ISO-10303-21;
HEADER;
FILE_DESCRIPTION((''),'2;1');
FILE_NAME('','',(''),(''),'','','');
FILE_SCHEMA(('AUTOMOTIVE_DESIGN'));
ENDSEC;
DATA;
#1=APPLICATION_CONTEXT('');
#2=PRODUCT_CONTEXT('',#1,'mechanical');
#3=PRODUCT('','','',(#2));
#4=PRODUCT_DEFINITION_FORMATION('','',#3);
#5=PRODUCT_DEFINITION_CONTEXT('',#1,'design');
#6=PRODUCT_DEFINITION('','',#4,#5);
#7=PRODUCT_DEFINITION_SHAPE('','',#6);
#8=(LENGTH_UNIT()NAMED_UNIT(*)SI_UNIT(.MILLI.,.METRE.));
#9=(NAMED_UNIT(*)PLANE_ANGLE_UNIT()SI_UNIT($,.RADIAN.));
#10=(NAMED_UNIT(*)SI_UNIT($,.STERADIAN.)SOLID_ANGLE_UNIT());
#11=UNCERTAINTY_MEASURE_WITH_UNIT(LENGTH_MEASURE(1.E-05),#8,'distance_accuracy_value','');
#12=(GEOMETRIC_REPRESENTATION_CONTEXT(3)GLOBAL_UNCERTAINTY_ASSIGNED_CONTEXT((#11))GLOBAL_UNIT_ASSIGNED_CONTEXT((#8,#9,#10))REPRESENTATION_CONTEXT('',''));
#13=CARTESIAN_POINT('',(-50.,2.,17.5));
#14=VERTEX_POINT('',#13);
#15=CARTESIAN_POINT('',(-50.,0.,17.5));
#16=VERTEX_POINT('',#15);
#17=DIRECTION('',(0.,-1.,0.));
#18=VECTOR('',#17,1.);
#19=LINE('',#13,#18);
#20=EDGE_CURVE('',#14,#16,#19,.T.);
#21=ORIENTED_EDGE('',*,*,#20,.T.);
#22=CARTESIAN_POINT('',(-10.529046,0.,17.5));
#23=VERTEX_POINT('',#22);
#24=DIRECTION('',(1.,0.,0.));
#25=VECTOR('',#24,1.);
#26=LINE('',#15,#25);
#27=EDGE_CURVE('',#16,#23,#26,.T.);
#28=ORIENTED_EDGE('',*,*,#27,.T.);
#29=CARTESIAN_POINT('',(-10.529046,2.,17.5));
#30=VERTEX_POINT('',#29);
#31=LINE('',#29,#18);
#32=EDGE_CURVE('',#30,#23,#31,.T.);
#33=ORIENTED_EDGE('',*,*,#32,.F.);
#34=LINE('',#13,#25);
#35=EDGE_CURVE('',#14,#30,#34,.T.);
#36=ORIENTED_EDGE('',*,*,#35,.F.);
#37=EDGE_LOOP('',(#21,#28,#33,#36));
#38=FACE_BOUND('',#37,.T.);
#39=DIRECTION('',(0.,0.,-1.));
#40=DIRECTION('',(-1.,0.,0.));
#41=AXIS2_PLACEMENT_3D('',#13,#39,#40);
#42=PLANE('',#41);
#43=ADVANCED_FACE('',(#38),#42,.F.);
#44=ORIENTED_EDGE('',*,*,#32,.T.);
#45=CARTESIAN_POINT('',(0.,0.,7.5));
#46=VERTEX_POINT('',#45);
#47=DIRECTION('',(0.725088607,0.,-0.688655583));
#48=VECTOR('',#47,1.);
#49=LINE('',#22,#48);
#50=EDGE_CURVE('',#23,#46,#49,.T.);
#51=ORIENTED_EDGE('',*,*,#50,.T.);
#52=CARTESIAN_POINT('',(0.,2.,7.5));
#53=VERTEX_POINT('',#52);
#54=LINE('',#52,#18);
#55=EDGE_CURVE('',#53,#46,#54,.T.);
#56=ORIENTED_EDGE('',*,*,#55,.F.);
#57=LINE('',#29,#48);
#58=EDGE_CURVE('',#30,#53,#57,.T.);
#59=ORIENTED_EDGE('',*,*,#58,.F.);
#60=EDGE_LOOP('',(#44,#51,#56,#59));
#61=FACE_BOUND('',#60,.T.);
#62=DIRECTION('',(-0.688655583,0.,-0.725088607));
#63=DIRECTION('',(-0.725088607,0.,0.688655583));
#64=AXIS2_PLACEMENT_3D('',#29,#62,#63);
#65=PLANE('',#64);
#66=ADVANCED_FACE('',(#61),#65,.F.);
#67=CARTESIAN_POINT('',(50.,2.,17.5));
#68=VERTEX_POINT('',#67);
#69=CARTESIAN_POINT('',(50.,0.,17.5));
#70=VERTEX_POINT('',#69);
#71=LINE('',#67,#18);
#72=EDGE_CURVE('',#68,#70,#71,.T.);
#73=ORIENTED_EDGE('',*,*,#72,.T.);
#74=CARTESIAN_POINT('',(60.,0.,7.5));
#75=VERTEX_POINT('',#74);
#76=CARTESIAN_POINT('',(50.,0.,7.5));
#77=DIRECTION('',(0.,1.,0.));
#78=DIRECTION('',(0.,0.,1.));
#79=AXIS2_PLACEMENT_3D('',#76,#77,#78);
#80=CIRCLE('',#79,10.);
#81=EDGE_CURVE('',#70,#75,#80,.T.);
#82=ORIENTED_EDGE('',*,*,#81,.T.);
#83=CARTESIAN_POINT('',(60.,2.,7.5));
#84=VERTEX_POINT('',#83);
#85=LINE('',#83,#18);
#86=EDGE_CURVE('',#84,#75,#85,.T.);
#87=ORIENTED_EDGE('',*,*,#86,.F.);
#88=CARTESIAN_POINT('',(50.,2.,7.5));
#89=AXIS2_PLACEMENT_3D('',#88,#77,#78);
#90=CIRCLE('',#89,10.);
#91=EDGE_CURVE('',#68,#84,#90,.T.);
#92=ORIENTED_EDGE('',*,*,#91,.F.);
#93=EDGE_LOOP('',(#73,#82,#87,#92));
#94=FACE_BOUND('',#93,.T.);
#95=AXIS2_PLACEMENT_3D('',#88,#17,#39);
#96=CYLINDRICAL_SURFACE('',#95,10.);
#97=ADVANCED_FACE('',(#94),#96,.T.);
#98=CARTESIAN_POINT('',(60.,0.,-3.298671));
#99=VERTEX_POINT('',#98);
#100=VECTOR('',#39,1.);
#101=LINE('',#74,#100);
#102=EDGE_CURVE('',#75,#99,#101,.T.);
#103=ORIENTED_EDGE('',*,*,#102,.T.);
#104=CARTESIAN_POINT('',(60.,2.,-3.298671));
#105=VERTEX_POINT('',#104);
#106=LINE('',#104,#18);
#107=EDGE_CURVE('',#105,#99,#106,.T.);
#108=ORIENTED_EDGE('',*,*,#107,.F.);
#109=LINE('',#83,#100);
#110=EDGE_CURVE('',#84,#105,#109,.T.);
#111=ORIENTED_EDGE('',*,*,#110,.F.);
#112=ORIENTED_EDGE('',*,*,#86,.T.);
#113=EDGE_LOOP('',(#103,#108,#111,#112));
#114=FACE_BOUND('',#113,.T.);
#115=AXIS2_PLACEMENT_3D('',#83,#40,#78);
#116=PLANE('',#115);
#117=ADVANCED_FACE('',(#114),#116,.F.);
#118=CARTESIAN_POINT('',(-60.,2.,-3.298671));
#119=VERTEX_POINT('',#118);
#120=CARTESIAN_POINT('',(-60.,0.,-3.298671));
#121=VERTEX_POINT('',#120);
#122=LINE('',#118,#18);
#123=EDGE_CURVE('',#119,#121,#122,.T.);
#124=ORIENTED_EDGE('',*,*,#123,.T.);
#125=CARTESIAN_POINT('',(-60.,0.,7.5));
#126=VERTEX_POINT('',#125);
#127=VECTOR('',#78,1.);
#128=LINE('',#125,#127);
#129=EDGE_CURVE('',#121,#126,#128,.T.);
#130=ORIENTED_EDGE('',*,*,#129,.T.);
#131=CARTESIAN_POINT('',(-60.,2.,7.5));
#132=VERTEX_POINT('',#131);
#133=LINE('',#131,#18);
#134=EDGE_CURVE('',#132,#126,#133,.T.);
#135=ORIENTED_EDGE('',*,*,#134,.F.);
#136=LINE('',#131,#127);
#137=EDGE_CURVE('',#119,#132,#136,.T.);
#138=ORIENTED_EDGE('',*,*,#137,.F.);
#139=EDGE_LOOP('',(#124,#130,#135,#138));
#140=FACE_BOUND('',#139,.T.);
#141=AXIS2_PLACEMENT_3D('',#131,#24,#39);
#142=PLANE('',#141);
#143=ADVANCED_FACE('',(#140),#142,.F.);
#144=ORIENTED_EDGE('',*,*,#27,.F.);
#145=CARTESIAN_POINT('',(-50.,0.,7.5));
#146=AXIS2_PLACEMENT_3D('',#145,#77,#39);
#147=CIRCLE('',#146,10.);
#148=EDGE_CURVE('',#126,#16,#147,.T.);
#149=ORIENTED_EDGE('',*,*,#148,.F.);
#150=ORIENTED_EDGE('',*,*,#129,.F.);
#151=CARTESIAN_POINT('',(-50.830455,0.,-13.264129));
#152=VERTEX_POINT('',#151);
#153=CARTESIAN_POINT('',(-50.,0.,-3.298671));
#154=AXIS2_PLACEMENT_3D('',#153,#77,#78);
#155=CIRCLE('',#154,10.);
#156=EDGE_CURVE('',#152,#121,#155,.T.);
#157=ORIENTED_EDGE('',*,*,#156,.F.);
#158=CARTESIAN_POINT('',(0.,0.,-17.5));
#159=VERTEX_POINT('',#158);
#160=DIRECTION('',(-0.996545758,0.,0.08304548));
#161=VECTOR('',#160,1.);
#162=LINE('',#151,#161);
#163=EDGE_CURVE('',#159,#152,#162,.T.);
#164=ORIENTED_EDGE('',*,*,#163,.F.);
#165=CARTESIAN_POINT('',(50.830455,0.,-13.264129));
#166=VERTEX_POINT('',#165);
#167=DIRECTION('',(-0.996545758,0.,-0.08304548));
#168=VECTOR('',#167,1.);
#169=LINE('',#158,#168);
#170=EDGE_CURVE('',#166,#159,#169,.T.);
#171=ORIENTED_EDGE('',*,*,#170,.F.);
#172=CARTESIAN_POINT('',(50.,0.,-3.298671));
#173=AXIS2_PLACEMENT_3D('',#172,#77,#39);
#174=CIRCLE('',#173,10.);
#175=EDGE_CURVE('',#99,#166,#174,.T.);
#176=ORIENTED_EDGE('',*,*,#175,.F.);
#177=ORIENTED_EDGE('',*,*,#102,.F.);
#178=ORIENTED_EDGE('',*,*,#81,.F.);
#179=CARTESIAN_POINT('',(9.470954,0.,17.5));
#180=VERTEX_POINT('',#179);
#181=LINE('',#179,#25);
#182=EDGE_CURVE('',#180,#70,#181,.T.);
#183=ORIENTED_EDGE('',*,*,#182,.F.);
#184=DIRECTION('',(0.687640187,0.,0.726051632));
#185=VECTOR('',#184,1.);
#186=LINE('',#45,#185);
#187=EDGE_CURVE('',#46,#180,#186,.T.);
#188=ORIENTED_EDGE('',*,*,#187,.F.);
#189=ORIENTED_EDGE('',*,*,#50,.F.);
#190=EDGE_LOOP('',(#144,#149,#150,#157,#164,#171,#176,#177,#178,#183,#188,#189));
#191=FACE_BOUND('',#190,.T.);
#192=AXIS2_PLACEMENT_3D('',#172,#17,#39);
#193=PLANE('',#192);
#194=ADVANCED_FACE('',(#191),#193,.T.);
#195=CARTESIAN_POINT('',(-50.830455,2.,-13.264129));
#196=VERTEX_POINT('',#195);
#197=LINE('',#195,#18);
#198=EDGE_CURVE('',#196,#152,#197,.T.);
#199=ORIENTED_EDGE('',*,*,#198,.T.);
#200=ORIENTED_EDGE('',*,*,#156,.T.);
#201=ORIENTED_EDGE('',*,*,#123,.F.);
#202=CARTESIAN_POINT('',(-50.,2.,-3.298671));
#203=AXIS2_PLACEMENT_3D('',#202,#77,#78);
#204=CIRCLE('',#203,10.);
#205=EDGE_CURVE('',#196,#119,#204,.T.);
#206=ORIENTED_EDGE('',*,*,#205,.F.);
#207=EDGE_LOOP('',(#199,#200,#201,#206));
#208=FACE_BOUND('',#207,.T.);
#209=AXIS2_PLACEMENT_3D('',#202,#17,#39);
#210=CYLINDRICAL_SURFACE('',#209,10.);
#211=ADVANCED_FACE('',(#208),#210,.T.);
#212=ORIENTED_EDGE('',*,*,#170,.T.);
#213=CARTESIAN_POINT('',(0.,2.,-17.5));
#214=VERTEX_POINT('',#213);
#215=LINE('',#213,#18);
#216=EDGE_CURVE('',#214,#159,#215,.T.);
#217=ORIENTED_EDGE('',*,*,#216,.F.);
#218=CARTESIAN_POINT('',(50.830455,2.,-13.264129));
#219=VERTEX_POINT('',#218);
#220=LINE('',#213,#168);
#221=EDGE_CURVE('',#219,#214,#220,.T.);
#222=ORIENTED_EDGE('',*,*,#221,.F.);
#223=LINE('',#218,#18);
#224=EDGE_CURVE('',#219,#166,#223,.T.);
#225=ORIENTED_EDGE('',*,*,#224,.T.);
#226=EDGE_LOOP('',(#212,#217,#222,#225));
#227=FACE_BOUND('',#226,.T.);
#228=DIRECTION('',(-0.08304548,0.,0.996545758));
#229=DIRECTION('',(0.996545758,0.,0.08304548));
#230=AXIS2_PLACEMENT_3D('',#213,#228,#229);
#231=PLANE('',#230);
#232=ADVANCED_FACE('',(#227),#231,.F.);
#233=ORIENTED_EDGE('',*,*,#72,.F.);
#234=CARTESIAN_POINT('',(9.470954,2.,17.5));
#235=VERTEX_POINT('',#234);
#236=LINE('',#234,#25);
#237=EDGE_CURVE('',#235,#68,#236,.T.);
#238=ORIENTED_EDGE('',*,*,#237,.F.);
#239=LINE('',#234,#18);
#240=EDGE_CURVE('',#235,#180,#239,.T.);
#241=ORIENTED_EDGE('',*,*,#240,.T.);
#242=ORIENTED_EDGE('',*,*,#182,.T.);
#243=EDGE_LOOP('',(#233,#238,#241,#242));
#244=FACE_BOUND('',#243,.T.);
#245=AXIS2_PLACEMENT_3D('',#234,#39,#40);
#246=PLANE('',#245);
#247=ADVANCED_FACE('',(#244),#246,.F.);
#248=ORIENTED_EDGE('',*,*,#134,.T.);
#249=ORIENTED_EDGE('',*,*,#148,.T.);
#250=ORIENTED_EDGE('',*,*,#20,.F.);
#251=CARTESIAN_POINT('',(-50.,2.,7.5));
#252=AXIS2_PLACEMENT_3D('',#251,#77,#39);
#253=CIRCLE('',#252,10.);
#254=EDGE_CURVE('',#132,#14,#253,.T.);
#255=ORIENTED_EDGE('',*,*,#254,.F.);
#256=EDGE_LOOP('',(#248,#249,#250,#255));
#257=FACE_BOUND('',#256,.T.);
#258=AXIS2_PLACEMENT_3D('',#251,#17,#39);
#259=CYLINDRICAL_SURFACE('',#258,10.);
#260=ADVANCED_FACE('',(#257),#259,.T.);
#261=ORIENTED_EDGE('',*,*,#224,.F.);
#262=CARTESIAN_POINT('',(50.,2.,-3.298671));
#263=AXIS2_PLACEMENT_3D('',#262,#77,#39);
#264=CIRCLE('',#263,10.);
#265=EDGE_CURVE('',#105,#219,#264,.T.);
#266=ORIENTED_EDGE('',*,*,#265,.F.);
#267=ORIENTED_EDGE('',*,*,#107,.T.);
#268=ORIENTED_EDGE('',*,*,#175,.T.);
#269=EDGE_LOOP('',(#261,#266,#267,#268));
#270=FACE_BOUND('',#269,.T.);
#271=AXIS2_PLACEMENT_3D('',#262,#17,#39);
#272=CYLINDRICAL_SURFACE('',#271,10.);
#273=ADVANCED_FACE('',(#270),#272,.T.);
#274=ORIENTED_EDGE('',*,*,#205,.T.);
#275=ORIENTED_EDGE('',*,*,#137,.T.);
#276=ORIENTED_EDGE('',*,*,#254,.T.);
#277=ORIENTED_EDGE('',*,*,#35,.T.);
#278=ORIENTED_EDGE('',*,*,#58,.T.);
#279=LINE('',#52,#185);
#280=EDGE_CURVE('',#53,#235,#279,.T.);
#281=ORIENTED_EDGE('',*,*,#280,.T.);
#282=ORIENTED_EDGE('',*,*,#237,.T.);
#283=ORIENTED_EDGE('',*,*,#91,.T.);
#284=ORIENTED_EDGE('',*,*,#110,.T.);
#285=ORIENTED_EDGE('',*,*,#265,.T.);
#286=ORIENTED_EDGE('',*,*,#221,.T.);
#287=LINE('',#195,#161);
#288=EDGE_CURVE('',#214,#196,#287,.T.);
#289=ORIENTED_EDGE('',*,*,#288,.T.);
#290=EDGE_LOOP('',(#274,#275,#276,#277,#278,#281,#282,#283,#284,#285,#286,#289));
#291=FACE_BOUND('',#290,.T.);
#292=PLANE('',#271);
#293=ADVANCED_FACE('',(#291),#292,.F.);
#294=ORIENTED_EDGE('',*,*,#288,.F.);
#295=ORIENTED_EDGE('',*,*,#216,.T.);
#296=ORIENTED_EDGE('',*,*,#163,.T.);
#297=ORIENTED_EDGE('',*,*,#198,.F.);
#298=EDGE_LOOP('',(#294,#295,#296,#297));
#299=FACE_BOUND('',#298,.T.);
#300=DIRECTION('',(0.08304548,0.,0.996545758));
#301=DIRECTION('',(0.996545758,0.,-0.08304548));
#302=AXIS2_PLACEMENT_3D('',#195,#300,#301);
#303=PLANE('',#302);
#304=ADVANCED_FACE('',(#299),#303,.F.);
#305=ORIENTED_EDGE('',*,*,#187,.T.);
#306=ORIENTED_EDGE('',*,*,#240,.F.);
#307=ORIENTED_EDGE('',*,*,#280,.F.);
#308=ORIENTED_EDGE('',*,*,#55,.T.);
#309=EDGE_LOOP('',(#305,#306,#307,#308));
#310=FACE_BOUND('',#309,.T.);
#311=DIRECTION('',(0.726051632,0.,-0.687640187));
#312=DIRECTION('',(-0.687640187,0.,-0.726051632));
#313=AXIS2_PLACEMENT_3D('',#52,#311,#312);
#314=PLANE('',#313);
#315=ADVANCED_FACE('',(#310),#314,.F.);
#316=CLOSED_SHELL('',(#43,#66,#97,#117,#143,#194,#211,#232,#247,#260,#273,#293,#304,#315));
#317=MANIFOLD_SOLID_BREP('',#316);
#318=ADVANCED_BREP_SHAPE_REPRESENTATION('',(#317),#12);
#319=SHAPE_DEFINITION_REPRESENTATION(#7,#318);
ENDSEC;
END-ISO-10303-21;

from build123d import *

# Parameters (mm, degrees)
BOSS_EXTRUDE1_DEPTH = 2


with BuildPart() as part:
    # Sketch1 → Boss-Extrude1 (new body)
    with BuildSketch(Plane(origin=(0, 0, 0), x_dir=(1, 0, 0), z_dir=(0, 1, 0))):
        with BuildLine():
            Line((-50.830454799, 13.264128767), (0, 17.5))
            Line((0, 17.5), (50.830454799, 13.264128767))
            ThreePointArc((50.830454799, 13.264128767), (57.358822867, 10.069766074), (60, 3.298671184))
            Line((60, 3.298671184), (60, -7.5))
            ThreePointArc((60, -7.5), (57.071067812, -14.571067812), (50, -17.5))
            Line((50, -17.5), (9.470954357, -17.5))
            Line((9.470954357, -17.5), (0, -7.5))
            Line((0, -7.5), (-10.529045643, -17.5))
            Line((-10.529045643, -17.5), (-50, -17.5))
            ThreePointArc((-50, -17.5), (-57.071067812, -14.571067812), (-60, -7.5))
            Line((-60, -7.5), (-60, 3.298671184))
            ThreePointArc((-60, 3.298671184), (-57.358822867, 10.069766074), (-50.830454799, 13.264128767))
        make_face()
    extrude(amount=BOSS_EXTRUDE1_DEPTH)


solid = part.part
